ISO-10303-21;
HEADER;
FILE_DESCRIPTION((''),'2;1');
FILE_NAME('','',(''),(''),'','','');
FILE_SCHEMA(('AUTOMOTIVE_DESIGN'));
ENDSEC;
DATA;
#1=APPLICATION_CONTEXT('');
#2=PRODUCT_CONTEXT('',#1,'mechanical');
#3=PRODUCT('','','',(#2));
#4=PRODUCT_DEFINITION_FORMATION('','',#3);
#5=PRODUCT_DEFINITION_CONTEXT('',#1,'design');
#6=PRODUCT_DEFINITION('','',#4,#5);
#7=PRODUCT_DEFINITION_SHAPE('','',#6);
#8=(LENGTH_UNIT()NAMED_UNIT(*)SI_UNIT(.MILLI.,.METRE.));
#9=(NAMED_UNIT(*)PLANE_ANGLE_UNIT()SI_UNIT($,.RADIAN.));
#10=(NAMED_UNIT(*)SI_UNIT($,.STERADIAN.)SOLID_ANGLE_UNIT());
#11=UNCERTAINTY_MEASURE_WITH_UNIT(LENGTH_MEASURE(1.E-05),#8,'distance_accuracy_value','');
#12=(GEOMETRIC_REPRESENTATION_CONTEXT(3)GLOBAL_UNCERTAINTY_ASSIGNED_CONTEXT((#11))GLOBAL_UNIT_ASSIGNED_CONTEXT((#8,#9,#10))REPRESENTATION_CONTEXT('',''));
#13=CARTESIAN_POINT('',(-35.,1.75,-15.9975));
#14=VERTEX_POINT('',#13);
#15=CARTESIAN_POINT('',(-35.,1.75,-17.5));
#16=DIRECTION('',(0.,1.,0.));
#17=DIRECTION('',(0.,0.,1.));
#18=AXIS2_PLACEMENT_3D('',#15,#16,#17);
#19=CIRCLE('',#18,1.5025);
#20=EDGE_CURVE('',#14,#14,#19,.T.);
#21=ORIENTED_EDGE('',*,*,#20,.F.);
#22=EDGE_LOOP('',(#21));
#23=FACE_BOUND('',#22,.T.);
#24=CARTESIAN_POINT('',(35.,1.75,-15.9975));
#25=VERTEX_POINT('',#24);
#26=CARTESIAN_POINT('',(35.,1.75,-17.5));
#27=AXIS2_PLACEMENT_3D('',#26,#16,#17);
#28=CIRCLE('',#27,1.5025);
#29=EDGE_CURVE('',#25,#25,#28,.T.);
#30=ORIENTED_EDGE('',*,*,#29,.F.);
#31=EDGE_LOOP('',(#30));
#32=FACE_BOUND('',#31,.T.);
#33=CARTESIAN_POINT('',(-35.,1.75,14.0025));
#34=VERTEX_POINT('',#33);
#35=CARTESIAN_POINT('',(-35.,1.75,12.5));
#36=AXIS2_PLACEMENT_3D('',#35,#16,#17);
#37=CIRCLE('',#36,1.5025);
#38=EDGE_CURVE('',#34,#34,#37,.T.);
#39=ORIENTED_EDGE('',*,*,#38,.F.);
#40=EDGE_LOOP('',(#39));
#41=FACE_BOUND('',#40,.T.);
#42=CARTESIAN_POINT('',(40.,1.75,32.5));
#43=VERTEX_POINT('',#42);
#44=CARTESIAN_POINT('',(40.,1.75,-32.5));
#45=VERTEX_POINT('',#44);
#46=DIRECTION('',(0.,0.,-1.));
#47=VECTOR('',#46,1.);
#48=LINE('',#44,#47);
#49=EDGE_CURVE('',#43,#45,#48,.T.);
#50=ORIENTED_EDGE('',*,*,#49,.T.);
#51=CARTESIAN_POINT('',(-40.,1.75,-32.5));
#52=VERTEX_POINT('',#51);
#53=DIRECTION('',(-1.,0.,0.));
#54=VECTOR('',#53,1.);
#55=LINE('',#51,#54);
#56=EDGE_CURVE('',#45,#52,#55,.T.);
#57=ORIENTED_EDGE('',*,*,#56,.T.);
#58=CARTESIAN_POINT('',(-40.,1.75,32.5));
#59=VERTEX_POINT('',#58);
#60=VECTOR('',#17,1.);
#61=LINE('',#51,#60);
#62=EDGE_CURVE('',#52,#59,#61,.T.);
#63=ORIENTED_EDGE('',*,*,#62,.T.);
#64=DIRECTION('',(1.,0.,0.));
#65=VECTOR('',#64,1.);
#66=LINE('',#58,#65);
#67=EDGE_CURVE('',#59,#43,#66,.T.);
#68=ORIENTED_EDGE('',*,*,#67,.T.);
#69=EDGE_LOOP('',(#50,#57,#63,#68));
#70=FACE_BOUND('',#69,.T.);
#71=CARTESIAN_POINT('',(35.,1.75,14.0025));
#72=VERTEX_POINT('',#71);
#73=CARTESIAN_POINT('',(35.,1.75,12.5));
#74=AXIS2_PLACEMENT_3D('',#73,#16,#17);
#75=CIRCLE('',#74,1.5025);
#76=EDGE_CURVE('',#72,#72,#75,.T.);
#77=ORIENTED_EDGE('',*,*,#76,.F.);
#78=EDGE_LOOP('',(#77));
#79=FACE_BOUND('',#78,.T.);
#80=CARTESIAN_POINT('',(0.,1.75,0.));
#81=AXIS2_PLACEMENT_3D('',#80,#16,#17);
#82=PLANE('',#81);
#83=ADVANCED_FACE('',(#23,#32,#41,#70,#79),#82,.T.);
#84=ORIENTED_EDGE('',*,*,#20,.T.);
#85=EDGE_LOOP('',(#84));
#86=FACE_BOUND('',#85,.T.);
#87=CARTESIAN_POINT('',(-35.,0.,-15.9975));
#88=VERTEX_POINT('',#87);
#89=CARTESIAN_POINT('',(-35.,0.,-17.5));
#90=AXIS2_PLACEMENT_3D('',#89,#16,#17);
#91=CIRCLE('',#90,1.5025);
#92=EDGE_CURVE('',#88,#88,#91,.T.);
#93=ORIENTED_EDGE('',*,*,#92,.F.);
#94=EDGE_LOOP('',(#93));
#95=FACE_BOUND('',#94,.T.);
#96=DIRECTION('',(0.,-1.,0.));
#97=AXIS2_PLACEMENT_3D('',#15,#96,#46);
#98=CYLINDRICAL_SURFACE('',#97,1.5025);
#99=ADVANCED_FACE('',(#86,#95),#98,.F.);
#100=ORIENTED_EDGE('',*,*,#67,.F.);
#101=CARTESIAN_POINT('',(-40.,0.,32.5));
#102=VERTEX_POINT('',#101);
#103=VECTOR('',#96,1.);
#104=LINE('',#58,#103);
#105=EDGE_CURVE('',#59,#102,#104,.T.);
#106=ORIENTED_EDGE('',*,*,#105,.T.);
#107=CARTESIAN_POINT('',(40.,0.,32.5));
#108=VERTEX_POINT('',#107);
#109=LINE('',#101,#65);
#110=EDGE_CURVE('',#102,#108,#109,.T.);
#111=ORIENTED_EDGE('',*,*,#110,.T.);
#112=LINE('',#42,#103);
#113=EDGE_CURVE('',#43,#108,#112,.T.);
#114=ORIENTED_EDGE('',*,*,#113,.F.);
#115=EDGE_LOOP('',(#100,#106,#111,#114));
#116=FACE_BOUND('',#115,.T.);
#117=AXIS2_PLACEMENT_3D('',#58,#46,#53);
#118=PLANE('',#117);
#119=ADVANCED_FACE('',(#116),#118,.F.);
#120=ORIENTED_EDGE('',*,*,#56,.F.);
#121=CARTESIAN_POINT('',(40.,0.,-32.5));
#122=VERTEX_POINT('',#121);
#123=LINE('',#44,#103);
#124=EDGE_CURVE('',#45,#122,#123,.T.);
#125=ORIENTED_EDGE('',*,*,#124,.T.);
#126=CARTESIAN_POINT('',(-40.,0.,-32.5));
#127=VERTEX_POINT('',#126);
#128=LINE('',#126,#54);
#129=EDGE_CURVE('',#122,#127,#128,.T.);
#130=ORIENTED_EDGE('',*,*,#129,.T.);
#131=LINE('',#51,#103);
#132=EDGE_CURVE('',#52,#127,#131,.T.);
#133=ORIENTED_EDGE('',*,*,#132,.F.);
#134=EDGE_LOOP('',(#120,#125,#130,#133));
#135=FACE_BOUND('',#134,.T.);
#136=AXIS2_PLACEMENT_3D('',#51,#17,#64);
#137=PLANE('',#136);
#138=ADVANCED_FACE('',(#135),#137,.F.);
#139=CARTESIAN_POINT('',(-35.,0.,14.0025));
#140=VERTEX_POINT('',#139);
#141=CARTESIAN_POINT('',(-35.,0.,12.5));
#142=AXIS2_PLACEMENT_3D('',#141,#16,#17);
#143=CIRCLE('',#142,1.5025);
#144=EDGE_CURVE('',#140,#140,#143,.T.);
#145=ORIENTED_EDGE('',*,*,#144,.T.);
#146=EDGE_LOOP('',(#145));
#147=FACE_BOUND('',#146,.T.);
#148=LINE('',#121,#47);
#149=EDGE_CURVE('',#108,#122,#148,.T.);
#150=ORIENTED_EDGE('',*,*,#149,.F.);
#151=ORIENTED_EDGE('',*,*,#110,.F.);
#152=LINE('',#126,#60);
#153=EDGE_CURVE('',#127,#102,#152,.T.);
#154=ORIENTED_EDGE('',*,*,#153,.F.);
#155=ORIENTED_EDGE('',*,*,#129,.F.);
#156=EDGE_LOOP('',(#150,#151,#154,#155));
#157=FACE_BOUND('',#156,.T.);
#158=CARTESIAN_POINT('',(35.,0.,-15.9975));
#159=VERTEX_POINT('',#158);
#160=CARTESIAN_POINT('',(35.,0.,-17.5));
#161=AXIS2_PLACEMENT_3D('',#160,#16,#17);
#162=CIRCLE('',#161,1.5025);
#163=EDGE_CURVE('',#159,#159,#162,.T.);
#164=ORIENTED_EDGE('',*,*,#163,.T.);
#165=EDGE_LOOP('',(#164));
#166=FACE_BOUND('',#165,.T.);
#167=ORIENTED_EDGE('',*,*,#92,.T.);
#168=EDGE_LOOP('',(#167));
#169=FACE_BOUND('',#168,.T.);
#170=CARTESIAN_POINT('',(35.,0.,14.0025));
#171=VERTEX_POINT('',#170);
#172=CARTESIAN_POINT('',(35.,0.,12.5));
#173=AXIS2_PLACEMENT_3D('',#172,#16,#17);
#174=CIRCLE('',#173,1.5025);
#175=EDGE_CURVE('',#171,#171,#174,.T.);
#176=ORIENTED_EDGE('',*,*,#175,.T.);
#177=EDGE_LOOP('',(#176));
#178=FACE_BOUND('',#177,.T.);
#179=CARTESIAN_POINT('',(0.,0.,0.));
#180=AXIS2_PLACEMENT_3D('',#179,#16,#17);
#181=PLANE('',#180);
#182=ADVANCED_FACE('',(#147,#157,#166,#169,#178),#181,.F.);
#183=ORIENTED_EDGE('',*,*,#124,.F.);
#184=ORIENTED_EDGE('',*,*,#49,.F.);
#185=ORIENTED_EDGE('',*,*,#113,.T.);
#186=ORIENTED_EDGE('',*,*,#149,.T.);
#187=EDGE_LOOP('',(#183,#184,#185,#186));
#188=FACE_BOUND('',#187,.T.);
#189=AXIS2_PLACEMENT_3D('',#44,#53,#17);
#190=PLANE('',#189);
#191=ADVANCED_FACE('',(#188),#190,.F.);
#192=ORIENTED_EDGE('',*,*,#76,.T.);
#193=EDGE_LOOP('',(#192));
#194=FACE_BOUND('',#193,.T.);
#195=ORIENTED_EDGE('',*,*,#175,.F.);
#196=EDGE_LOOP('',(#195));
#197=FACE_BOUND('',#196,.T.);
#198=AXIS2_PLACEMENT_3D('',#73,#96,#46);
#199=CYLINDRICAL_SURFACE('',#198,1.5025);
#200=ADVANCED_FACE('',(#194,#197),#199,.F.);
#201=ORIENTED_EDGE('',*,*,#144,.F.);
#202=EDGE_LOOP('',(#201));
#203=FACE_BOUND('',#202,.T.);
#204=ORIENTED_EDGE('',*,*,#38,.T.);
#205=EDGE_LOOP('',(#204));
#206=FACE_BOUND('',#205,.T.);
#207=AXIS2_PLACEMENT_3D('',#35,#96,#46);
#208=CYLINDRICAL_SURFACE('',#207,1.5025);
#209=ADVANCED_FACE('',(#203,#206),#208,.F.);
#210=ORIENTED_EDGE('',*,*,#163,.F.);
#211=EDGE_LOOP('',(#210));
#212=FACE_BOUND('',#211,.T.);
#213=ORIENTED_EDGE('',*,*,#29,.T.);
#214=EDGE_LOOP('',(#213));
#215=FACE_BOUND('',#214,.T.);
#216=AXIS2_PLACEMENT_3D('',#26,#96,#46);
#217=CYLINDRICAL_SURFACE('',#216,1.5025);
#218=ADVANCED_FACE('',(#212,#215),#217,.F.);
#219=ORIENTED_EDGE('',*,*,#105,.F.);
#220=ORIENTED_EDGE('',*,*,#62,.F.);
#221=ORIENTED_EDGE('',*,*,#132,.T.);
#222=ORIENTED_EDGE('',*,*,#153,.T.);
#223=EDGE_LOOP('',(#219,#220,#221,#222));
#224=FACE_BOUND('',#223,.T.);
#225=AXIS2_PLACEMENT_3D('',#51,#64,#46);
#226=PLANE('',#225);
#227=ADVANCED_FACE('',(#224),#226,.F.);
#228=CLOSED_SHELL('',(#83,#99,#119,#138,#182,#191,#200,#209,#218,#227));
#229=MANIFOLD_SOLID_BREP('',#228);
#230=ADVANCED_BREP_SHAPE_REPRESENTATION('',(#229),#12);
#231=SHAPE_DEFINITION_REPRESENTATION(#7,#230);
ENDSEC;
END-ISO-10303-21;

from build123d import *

# Parameters (mm, degrees)
SKETCH1_W           = 80
SKETCH1_H           = 65
SKETCH1_R           = 1.5025
BOSS_EXTRUDE1_DEPTH = 1.75


with BuildPart() as part:
    # Sketch1 → Boss-Extrude1 (new body)
    with BuildSketch(Plane(origin=(0, 0, 0), x_dir=(1, 0, 0), z_dir=(0, 1, 0))):
        Rectangle(SKETCH1_W, SKETCH1_H)
        with Locations((-35, -12.5)):
            Circle(SKETCH1_R, mode=Mode.SUBTRACT)
        with Locations((35, -12.5)):
            Circle(SKETCH1_R, mode=Mode.SUBTRACT)
        with Locations((35, 17.5)):
            Circle(SKETCH1_R, mode=Mode.SUBTRACT)
        with Locations((-35, 17.5)):
            Circle(SKETCH1_R, mode=Mode.SUBTRACT)
    extrude(amount=BOSS_EXTRUDE1_DEPTH)


solid = part.part
